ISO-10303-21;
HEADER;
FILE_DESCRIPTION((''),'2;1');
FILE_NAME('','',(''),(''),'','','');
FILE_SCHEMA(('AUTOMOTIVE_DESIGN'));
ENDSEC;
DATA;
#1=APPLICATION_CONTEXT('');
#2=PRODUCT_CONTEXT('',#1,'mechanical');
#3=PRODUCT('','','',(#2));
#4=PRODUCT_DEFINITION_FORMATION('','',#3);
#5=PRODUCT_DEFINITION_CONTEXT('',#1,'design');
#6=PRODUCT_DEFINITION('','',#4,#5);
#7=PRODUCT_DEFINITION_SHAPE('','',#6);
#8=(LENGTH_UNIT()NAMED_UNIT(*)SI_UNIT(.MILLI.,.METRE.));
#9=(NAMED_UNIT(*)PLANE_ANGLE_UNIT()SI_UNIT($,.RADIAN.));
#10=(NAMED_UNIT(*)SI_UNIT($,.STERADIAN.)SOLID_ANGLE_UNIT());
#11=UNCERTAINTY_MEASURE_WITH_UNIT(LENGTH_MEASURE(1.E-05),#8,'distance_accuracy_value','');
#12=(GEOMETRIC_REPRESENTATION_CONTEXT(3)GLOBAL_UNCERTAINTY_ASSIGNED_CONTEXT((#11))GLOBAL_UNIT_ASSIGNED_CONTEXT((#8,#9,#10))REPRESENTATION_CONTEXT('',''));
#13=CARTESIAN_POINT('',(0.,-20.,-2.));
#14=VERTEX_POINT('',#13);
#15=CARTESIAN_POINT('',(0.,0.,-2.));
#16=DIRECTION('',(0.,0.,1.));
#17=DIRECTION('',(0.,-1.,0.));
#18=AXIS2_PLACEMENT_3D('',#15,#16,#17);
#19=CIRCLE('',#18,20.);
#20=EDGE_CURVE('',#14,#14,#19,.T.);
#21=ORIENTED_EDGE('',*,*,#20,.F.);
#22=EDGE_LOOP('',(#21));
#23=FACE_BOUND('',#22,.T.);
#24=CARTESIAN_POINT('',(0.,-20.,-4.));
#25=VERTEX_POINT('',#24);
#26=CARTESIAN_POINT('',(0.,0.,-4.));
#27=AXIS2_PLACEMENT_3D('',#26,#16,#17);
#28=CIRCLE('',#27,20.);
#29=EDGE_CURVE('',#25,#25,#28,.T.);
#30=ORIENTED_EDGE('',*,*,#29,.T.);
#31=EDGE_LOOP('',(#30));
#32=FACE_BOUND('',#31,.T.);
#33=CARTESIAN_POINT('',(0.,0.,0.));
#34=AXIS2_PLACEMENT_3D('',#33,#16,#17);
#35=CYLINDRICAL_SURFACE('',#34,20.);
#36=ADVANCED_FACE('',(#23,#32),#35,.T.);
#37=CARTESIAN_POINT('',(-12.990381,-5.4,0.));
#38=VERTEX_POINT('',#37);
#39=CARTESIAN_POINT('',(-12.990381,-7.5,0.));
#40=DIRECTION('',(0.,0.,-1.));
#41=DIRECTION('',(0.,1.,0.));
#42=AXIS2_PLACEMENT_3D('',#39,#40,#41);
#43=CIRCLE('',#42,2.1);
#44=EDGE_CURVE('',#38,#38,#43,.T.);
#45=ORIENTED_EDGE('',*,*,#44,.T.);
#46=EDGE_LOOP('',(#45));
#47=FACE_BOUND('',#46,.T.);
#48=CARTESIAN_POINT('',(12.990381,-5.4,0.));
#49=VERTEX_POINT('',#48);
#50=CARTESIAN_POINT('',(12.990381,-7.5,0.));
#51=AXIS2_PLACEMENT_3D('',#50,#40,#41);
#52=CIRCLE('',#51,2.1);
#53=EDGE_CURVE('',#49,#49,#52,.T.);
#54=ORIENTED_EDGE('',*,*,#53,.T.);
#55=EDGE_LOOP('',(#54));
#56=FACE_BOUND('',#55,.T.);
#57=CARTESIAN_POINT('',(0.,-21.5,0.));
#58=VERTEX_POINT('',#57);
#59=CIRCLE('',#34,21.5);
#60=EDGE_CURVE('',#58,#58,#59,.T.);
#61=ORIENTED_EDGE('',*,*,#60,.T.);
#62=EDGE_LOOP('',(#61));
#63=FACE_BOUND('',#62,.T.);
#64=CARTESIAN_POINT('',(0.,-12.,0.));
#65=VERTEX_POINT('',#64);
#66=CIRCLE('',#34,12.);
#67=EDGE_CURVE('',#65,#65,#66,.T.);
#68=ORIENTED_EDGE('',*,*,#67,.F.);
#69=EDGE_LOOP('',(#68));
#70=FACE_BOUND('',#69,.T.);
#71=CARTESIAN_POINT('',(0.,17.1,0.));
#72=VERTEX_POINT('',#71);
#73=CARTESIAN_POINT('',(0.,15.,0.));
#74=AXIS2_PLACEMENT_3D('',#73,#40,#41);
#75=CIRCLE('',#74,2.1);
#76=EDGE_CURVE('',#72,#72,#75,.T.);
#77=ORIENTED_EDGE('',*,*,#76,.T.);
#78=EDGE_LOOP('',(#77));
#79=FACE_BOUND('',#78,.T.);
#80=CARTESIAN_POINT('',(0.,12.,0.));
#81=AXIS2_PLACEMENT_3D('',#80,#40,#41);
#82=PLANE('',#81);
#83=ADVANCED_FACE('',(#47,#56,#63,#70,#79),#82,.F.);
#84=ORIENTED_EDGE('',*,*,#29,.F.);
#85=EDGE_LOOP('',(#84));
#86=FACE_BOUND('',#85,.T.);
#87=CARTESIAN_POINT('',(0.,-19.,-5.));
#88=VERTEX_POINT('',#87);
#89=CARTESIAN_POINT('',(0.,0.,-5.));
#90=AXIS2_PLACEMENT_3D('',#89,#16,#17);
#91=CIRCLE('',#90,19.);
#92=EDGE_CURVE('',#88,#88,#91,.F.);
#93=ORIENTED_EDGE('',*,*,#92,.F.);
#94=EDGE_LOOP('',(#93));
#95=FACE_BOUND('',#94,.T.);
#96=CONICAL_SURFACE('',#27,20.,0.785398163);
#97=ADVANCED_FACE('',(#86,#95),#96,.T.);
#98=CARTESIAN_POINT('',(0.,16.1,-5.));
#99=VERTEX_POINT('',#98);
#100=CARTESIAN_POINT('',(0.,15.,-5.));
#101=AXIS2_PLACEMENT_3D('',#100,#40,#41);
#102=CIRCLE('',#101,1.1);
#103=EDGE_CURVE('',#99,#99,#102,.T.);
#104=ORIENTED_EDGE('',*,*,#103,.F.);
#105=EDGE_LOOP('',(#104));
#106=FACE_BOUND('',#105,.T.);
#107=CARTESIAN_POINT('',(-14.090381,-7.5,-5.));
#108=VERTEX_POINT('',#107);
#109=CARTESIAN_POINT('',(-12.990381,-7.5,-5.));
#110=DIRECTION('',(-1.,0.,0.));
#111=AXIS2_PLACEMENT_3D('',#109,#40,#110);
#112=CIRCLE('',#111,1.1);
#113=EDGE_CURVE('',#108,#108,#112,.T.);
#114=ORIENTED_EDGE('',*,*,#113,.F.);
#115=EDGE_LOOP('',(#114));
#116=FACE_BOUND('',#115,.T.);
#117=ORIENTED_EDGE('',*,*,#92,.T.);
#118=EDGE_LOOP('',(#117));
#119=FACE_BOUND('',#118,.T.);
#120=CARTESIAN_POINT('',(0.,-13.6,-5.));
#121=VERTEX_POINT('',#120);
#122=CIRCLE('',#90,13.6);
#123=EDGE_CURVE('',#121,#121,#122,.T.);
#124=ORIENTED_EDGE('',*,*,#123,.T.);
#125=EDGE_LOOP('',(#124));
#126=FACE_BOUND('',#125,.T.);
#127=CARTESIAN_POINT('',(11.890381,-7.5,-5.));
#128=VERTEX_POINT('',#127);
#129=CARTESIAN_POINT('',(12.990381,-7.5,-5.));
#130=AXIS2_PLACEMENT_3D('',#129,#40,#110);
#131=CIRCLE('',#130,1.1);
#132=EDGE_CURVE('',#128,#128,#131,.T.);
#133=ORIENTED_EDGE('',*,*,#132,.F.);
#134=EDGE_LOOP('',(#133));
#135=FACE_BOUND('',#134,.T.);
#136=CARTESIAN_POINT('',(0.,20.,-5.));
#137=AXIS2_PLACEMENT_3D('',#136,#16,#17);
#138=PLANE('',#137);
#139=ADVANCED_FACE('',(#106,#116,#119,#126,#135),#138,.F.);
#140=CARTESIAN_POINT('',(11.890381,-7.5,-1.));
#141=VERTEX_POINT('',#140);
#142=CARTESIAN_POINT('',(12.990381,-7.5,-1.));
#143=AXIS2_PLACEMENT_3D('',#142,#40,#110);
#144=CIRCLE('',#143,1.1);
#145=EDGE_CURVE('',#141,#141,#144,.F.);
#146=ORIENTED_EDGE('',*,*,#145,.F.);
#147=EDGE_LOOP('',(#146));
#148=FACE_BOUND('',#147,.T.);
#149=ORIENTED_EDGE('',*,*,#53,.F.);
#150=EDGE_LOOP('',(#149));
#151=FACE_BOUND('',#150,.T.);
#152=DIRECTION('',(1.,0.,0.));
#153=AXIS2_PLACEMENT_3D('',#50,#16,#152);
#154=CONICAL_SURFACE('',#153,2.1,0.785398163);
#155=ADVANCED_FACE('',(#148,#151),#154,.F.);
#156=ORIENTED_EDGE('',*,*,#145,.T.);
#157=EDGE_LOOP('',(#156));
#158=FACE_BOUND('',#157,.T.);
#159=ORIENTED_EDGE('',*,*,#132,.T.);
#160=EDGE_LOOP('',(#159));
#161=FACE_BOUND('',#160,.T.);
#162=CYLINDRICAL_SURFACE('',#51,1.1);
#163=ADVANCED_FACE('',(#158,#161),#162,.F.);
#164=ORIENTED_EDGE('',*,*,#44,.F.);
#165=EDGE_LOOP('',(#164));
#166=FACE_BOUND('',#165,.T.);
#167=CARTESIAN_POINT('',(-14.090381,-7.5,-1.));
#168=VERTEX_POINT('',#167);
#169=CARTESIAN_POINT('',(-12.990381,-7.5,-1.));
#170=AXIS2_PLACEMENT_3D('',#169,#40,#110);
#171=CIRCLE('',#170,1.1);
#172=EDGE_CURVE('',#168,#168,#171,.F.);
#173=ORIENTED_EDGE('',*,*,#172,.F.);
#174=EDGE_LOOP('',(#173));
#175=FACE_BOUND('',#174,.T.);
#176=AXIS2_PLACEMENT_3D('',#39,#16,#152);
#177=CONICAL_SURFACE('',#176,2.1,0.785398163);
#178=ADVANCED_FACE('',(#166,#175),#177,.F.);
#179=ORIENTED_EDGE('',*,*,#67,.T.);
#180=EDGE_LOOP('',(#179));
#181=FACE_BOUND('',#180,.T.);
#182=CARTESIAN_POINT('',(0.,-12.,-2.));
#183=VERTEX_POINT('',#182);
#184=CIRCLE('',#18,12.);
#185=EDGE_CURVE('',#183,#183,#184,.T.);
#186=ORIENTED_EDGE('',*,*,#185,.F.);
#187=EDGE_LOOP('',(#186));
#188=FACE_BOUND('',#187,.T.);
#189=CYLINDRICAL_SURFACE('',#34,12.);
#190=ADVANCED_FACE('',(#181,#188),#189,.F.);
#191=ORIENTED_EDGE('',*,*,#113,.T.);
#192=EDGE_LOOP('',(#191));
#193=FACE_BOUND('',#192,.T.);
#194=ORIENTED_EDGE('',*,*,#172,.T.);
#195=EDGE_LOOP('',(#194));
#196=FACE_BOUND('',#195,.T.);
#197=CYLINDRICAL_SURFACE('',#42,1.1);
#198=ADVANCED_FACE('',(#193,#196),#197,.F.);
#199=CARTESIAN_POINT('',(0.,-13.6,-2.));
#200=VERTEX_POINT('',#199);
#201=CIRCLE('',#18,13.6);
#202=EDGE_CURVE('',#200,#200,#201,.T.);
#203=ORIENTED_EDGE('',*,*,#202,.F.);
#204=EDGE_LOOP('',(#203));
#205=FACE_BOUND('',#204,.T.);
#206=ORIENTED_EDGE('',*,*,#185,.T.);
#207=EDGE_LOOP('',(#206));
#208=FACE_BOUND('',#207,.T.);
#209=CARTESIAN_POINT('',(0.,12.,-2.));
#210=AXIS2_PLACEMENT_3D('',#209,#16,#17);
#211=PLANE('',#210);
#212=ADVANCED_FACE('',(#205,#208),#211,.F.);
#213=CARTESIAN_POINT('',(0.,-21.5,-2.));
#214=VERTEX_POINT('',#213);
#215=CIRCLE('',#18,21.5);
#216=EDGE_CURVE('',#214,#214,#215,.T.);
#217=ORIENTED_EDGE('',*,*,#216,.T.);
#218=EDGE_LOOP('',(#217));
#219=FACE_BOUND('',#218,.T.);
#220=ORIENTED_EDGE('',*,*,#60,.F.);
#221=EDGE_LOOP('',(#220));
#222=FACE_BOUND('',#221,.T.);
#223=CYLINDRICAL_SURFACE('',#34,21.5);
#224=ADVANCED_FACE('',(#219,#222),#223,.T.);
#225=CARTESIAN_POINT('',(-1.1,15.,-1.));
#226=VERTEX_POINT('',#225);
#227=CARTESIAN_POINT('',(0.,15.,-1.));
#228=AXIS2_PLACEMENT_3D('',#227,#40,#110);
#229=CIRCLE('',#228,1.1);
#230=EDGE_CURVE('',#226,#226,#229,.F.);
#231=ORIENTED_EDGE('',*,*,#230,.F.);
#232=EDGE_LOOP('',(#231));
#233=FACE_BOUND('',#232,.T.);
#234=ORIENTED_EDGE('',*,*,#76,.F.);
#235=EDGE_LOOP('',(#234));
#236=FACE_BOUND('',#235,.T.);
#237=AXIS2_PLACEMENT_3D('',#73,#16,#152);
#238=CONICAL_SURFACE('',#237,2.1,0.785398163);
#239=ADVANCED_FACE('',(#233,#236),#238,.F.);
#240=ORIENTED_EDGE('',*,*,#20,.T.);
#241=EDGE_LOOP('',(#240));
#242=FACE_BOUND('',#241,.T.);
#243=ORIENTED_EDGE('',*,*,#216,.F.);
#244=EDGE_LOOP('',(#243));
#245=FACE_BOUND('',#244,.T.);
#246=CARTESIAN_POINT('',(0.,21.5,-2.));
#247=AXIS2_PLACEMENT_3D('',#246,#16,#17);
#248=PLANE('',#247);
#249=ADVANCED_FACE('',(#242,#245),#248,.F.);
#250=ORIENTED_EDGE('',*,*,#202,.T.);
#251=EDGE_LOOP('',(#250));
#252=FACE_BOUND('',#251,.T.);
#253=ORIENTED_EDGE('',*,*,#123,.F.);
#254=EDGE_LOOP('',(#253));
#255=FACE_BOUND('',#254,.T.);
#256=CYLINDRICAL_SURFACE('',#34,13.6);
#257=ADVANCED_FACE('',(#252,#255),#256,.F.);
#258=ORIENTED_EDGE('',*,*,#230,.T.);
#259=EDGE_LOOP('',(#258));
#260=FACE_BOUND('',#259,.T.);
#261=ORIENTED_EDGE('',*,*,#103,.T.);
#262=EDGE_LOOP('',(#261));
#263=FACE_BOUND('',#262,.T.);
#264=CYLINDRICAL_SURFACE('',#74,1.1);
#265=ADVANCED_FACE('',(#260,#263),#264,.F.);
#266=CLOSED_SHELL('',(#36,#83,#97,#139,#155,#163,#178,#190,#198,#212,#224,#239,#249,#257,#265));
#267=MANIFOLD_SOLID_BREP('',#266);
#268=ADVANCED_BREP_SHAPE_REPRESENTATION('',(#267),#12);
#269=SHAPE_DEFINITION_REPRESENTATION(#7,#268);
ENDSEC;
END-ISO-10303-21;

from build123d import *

# Parameters (mm, degrees)
CHAMFER1_SIZE      = 1
SKETCH2_R          = 1.1
CUT_EXTRUDE1_DEPTH = 31.813957876
CHAMFER2_SIZE      = 1


with BuildPart() as part:
    # Sketch1 → Revolve1 (revolve)
    with BuildSketch(Plane(origin=(0, 0, 0), x_dir=(0, 0, -1), z_dir=(1, 0, 0)), mode=Mode.PRIVATE) as revolve1_sk:
        Polygon((0, 21.5), (2, 21.5), (2, 20), (5, 20), (5, 13.6), (2, 13.6), (2, 12), (0, 12), align=None)
    revolve(revolve1_sk.sketch.rotate(Axis((0, 0, 0), (0, 0, -1)), 180), axis=Axis((0, 0, 0), (0, 0, -1)))

    # Chamfer1
    chamfer1_edges = [part.edges().sort_by_distance(p)[0] for p in [
        (0, 20, -5),
    ]]
    chamfer(chamfer1_edges, length=CHAMFER1_SIZE)

    # Sketch2 → Cut-Extrude1 (cut, through all)
    with BuildSketch(Plane(origin=(0, 0, -5), x_dir=(-1, 0, 0), z_dir=(0, 0, -1))):
        with Locations((12.990381057, -7.5)):
            Circle(SKETCH2_R)
        with Locations((-12.990381057, -7.5)):
            Circle(SKETCH2_R)
        with Locations(Location((0, 15, 0), (0, 0, 90))):
            Circle(SKETCH2_R)
    extrude(amount=-CUT_EXTRUDE1_DEPTH, mode=Mode.SUBTRACT)

    # Chamfer2
    chamfer2_edges = [part.edges().sort_by_distance(p)[0] for p in [
        (-11.890381057, -7.5, 0),
        (14.090381057, -7.5, 0),
        (0, 13.9, 0),
    ]]
    chamfer(chamfer2_edges, length=CHAMFER2_SIZE)


solid = part.part
